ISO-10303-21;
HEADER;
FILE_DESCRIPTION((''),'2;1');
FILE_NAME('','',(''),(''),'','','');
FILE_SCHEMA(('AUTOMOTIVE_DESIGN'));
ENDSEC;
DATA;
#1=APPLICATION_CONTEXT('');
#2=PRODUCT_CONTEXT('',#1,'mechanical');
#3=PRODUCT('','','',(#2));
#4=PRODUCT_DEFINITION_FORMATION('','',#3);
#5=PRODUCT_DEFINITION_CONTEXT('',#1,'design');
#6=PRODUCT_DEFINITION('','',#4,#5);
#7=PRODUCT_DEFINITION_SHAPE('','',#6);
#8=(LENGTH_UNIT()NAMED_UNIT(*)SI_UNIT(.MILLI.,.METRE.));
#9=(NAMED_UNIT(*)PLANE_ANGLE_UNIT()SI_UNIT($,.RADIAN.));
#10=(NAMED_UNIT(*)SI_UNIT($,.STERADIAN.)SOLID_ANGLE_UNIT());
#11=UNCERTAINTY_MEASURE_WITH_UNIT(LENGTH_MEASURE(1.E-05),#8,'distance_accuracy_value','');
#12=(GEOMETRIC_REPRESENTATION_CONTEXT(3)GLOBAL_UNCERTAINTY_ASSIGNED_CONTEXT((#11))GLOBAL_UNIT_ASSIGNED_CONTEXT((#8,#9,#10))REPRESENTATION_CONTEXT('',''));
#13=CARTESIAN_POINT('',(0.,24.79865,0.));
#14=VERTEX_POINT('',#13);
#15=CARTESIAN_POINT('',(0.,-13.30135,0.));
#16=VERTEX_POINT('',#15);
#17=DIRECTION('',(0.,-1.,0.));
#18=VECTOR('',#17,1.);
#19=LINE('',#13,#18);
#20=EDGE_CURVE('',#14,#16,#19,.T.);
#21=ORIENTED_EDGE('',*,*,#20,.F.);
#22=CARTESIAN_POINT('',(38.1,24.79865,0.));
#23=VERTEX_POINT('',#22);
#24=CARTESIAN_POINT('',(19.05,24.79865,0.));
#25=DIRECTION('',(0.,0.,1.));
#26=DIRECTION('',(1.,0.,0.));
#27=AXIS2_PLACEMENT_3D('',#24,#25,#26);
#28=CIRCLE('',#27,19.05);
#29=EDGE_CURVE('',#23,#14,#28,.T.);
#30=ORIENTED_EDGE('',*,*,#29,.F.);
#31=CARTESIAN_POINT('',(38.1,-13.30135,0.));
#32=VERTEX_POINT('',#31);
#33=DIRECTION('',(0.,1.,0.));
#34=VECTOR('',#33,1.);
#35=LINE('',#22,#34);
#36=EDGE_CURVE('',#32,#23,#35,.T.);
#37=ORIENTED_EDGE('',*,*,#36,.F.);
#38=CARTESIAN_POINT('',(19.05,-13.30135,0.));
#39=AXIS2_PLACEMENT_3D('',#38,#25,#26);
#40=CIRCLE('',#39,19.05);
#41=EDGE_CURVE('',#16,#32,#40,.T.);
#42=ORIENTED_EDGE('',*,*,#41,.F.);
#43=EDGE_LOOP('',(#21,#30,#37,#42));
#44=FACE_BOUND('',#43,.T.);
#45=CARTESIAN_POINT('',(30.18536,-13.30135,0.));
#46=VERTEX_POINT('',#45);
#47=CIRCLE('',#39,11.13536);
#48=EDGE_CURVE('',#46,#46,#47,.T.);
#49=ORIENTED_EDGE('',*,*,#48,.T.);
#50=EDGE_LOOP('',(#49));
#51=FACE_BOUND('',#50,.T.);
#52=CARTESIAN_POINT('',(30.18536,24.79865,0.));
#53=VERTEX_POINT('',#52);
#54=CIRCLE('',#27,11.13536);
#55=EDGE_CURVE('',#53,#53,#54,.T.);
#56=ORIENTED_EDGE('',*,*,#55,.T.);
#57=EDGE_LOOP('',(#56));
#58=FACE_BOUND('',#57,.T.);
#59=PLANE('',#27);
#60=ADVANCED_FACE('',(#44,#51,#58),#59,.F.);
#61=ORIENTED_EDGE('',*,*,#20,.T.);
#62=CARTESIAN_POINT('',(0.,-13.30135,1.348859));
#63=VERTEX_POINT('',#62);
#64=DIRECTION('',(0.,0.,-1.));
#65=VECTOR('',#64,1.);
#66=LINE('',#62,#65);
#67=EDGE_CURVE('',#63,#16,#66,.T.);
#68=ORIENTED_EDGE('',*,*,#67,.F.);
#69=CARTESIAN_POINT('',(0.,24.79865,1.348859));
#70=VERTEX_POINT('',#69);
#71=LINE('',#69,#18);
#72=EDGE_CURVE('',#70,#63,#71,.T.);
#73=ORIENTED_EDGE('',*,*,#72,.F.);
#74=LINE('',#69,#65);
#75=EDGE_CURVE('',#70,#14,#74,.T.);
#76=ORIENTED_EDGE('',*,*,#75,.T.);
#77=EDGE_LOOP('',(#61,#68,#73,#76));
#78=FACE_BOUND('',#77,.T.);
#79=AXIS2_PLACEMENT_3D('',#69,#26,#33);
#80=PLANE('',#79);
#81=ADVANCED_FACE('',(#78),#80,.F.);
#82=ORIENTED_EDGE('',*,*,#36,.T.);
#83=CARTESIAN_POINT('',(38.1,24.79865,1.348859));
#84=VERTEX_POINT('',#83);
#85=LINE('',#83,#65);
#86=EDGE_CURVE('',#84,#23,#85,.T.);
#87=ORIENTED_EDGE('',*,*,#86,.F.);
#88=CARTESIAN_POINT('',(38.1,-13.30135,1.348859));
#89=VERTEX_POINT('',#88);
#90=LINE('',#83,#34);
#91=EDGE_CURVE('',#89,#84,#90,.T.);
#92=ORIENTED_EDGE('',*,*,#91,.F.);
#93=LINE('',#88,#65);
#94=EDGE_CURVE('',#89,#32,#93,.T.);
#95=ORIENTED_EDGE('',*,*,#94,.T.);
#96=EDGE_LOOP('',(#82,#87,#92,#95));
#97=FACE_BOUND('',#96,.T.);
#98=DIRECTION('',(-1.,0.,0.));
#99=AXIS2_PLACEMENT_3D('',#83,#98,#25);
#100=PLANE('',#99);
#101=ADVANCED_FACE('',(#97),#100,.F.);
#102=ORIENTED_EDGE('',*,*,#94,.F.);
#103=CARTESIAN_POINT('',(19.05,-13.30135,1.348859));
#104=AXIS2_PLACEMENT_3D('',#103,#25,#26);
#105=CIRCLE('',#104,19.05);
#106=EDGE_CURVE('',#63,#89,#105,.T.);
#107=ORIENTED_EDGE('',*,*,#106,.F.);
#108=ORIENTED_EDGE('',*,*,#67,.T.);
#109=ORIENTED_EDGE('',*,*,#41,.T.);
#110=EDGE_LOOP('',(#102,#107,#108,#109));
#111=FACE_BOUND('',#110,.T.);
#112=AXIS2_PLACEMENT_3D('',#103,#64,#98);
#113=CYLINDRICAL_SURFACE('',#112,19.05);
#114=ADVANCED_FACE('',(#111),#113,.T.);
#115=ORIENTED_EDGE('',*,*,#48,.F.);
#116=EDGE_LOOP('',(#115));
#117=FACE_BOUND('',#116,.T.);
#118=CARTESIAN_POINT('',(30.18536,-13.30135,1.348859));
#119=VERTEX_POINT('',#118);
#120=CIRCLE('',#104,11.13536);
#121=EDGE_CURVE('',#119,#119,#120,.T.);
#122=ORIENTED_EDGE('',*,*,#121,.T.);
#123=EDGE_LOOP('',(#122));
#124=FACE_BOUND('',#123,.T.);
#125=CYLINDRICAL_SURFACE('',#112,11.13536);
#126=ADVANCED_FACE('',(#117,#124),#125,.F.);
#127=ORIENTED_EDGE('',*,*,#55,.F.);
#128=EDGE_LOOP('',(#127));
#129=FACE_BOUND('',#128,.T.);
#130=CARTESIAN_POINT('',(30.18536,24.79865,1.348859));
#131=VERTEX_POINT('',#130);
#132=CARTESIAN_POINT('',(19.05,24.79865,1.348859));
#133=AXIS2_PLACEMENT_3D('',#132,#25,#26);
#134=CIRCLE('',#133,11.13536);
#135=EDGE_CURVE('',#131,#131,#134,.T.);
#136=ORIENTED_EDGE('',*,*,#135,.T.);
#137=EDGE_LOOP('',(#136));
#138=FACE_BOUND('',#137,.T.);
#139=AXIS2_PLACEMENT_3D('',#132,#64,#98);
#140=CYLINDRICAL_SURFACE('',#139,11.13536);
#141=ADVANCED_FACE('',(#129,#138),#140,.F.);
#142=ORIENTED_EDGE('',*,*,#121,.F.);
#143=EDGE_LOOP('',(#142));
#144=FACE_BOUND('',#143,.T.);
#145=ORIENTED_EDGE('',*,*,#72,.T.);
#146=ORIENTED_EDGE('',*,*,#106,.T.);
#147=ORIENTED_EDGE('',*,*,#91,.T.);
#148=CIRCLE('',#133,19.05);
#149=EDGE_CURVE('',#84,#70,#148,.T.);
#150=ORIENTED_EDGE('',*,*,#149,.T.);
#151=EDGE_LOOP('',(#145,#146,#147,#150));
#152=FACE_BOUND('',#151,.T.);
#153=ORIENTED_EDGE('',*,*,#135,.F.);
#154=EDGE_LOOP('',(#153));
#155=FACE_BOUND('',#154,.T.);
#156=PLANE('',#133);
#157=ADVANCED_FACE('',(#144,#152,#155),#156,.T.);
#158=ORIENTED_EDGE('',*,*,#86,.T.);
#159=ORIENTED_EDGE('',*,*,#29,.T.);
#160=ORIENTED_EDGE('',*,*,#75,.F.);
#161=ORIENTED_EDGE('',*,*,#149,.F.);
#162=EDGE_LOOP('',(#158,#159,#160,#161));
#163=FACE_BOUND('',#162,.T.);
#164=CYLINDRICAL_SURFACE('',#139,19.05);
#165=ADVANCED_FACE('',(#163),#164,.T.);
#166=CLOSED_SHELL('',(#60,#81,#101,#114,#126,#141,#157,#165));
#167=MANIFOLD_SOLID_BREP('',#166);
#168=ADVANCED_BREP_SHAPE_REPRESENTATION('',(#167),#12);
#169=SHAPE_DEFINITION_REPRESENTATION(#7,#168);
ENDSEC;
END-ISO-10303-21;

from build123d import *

# Parameters (mm, degrees)
SKETCH1_R           = 11.13536
BOSS_EXTRUDE1_DEPTH = 1.348858601


with BuildPart() as part:
    # Sketch1 → Boss-Extrude1 (new body)
    with BuildSketch(Plane.XY):
        with BuildLine():
            Line((0, 24.798650143), (0, -13.301349857))
            ThreePointArc((0, -13.301349857), (19.05, -32.351349857), (38.1, -13.301349857))
            Line((38.1, -13.301349857), (38.1, 24.798650143))
            ThreePointArc((38.1, 24.798650143), (19.05, 43.848650143), (0, 24.798650143))
        make_face()
        with Locations((19.05, 24.798650143)):
            Circle(SKETCH1_R, mode=Mode.SUBTRACT)
        with Locations((19.05, -13.301349857)):
            Circle(SKETCH1_R, mode=Mode.SUBTRACT)
    extrude(amount=BOSS_EXTRUDE1_DEPTH)


solid = part.part
